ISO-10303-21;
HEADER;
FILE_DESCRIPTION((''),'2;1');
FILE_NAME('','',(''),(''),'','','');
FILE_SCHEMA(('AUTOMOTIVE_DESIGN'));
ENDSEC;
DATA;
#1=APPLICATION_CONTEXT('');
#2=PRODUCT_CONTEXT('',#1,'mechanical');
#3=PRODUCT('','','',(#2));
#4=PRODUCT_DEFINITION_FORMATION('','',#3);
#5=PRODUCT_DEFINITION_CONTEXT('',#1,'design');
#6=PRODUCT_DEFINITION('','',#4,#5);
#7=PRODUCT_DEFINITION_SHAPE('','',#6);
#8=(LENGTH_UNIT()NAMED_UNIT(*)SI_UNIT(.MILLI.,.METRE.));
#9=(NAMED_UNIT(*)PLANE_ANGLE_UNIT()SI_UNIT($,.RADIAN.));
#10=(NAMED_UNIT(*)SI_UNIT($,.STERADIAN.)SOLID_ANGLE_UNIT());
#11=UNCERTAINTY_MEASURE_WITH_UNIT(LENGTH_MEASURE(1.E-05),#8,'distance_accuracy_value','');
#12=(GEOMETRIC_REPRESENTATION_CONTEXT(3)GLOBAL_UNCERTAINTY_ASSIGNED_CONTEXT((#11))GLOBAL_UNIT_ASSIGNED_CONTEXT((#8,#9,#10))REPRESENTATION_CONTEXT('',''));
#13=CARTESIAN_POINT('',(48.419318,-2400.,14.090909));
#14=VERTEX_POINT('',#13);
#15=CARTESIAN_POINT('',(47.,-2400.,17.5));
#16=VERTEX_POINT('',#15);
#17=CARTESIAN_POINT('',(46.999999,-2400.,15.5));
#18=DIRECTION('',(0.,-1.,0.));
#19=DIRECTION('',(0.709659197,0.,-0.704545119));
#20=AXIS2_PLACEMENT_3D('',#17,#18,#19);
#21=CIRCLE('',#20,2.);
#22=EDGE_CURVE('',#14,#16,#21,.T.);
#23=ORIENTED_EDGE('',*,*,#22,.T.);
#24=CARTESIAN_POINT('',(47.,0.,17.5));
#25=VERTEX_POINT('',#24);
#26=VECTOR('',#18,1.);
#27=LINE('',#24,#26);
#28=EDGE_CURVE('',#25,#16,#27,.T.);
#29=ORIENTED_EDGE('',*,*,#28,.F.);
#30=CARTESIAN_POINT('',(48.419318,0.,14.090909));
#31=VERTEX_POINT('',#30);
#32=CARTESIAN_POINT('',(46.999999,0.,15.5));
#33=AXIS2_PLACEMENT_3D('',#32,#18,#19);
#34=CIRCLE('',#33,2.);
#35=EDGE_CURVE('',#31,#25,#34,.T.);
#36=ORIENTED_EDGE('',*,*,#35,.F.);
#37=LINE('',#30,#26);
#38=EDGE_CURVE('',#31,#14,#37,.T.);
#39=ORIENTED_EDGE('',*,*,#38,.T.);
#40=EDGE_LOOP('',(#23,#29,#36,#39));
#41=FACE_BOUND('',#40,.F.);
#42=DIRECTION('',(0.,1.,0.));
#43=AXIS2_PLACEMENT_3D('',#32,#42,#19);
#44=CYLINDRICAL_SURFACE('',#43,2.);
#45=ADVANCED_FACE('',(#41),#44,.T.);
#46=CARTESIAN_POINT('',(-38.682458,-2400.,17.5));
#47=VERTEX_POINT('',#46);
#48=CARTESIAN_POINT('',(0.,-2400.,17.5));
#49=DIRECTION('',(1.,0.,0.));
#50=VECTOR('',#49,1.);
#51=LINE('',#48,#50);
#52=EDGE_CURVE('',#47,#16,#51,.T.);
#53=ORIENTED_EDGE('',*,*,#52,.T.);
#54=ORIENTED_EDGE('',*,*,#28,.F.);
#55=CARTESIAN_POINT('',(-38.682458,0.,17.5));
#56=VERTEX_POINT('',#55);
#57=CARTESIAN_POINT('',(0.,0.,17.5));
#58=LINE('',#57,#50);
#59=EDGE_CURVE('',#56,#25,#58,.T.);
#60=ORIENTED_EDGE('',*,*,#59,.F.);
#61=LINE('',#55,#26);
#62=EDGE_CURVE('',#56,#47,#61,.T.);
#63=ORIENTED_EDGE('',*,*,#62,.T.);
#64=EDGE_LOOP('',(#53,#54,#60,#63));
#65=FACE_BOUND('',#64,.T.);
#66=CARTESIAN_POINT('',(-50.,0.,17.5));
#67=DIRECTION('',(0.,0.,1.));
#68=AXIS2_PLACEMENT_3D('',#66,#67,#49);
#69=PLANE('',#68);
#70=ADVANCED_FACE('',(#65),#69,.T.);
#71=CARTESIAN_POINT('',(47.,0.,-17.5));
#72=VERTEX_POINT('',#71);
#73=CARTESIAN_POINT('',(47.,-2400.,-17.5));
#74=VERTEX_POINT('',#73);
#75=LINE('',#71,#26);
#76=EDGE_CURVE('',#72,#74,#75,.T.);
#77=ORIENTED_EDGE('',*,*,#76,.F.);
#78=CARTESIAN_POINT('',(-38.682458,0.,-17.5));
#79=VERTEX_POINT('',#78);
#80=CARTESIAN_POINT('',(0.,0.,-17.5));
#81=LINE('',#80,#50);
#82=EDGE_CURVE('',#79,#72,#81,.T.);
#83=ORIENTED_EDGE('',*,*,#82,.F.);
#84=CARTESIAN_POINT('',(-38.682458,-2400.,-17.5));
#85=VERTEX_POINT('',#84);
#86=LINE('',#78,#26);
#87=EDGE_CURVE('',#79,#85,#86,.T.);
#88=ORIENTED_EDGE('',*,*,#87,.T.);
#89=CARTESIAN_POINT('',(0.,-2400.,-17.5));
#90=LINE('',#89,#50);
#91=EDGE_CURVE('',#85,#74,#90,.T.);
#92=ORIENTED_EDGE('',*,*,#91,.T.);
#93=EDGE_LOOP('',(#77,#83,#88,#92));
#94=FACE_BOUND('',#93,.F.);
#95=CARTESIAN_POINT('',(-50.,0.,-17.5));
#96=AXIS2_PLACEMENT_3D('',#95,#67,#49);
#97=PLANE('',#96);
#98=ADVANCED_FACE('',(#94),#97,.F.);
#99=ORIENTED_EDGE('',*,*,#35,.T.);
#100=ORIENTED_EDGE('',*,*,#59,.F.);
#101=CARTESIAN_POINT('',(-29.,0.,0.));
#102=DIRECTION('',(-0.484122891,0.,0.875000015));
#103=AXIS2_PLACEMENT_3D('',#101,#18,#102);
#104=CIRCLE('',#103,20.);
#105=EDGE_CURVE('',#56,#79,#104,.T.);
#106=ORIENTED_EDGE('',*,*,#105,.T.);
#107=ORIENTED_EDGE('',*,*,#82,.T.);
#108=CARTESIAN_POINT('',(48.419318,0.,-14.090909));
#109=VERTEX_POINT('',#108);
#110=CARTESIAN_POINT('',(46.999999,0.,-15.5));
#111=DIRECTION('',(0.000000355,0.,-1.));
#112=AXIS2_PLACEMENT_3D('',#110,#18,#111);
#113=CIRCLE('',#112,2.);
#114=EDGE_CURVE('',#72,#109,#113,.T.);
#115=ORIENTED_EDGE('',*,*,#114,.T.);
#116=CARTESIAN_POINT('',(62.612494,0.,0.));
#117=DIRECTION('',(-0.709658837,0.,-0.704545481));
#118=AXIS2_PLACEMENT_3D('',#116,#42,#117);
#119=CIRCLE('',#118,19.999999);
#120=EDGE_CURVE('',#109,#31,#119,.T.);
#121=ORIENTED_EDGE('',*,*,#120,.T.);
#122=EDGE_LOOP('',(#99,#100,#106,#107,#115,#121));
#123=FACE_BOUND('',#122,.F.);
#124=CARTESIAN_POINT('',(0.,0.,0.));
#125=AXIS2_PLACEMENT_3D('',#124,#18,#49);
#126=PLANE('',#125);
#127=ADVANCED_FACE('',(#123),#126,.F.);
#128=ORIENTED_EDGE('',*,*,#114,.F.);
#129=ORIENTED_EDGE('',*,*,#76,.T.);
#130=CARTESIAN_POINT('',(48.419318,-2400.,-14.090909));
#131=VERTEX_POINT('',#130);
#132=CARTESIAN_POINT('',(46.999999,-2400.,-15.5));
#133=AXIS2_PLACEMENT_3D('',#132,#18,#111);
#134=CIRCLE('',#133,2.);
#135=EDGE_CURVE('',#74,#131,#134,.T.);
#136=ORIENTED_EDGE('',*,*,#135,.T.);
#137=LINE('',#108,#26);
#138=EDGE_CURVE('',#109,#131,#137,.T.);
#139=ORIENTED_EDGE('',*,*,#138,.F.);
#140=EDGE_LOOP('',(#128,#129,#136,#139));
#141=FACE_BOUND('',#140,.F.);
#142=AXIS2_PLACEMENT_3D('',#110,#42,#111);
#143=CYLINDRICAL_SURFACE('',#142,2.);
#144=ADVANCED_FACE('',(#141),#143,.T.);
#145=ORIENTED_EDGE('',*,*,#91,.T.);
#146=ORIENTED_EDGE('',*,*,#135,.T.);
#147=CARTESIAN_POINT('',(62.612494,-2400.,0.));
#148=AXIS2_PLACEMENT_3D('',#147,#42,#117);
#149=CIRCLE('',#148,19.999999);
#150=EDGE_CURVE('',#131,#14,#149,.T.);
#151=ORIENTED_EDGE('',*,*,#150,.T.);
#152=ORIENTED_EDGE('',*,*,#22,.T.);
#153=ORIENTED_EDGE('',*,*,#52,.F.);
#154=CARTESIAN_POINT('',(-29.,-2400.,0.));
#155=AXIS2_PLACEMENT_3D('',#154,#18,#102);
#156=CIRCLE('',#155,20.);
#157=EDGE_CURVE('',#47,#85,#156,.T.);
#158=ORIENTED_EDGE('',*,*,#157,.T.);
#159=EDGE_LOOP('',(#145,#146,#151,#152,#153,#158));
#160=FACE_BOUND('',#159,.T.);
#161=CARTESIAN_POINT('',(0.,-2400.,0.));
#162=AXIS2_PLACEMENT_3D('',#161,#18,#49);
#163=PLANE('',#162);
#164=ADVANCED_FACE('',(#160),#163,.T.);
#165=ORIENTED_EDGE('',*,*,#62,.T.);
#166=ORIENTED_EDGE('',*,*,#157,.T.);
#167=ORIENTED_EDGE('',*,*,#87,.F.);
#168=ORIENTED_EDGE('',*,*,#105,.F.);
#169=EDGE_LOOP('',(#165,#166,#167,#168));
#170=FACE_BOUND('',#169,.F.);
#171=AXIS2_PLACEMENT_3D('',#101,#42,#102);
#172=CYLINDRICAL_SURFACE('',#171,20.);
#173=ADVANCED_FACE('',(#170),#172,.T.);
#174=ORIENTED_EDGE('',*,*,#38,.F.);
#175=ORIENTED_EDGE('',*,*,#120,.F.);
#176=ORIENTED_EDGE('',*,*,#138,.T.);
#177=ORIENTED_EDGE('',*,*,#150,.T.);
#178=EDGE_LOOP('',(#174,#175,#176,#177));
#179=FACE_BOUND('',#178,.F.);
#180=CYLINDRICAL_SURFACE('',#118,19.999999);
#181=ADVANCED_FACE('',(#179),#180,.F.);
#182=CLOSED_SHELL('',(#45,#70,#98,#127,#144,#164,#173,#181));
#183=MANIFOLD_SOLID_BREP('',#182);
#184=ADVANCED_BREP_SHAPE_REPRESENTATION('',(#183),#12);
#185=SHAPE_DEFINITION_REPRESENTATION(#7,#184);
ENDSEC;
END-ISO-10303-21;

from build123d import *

# Parameters (mm, degrees)
F0_W     = 100
F0_H     = 35
F1_DEPTH = 2400
F3_DEPTH = 2400


with BuildPart() as f1:
    # F0 (on Front) → F1 (new body)
    with BuildSketch(Plane.XZ):
        Rectangle(F0_W, F0_H)
    extrude(amount=F1_DEPTH)

    # F2 (on face) → F3 (cut, through all)
    with BuildSketch(Plane(origin=(0, 0, 0), x_dir=(-1, 0, 0), z_dir=(0, 1, 0))):
        with BuildLine():
            Line((-50, -17.5), (-47, -17.5))
            ThreePointArc((-47, -17.5), (-48.846372, -16.268706), (-48.419318, -14.090909))
            ThreePointArc((-48.419318, -14.090909), (-42.612495, 0), (-48.419318, 14.090909))
            ThreePointArc((-48.419318, 14.090909), (-48.846372, 16.268706), (-47, 17.5))
            Line((-47, 17.5), (-50, 17.5))
            Line((-50, 17.5), (-50, -17.5))
        make_face()
        with BuildLine():
            ThreePointArc((38.682458, 17.5), (49, 0), (38.682458, -17.5))
            Line((38.682458, -17.5), (50, -17.5))
            Line((50, -17.5), (50, 17.5))
            Line((50, 17.5), (38.682458, 17.5))
        make_face()
    extrude(amount=-F3_DEPTH, mode=Mode.SUBTRACT)


solid = f1.part
